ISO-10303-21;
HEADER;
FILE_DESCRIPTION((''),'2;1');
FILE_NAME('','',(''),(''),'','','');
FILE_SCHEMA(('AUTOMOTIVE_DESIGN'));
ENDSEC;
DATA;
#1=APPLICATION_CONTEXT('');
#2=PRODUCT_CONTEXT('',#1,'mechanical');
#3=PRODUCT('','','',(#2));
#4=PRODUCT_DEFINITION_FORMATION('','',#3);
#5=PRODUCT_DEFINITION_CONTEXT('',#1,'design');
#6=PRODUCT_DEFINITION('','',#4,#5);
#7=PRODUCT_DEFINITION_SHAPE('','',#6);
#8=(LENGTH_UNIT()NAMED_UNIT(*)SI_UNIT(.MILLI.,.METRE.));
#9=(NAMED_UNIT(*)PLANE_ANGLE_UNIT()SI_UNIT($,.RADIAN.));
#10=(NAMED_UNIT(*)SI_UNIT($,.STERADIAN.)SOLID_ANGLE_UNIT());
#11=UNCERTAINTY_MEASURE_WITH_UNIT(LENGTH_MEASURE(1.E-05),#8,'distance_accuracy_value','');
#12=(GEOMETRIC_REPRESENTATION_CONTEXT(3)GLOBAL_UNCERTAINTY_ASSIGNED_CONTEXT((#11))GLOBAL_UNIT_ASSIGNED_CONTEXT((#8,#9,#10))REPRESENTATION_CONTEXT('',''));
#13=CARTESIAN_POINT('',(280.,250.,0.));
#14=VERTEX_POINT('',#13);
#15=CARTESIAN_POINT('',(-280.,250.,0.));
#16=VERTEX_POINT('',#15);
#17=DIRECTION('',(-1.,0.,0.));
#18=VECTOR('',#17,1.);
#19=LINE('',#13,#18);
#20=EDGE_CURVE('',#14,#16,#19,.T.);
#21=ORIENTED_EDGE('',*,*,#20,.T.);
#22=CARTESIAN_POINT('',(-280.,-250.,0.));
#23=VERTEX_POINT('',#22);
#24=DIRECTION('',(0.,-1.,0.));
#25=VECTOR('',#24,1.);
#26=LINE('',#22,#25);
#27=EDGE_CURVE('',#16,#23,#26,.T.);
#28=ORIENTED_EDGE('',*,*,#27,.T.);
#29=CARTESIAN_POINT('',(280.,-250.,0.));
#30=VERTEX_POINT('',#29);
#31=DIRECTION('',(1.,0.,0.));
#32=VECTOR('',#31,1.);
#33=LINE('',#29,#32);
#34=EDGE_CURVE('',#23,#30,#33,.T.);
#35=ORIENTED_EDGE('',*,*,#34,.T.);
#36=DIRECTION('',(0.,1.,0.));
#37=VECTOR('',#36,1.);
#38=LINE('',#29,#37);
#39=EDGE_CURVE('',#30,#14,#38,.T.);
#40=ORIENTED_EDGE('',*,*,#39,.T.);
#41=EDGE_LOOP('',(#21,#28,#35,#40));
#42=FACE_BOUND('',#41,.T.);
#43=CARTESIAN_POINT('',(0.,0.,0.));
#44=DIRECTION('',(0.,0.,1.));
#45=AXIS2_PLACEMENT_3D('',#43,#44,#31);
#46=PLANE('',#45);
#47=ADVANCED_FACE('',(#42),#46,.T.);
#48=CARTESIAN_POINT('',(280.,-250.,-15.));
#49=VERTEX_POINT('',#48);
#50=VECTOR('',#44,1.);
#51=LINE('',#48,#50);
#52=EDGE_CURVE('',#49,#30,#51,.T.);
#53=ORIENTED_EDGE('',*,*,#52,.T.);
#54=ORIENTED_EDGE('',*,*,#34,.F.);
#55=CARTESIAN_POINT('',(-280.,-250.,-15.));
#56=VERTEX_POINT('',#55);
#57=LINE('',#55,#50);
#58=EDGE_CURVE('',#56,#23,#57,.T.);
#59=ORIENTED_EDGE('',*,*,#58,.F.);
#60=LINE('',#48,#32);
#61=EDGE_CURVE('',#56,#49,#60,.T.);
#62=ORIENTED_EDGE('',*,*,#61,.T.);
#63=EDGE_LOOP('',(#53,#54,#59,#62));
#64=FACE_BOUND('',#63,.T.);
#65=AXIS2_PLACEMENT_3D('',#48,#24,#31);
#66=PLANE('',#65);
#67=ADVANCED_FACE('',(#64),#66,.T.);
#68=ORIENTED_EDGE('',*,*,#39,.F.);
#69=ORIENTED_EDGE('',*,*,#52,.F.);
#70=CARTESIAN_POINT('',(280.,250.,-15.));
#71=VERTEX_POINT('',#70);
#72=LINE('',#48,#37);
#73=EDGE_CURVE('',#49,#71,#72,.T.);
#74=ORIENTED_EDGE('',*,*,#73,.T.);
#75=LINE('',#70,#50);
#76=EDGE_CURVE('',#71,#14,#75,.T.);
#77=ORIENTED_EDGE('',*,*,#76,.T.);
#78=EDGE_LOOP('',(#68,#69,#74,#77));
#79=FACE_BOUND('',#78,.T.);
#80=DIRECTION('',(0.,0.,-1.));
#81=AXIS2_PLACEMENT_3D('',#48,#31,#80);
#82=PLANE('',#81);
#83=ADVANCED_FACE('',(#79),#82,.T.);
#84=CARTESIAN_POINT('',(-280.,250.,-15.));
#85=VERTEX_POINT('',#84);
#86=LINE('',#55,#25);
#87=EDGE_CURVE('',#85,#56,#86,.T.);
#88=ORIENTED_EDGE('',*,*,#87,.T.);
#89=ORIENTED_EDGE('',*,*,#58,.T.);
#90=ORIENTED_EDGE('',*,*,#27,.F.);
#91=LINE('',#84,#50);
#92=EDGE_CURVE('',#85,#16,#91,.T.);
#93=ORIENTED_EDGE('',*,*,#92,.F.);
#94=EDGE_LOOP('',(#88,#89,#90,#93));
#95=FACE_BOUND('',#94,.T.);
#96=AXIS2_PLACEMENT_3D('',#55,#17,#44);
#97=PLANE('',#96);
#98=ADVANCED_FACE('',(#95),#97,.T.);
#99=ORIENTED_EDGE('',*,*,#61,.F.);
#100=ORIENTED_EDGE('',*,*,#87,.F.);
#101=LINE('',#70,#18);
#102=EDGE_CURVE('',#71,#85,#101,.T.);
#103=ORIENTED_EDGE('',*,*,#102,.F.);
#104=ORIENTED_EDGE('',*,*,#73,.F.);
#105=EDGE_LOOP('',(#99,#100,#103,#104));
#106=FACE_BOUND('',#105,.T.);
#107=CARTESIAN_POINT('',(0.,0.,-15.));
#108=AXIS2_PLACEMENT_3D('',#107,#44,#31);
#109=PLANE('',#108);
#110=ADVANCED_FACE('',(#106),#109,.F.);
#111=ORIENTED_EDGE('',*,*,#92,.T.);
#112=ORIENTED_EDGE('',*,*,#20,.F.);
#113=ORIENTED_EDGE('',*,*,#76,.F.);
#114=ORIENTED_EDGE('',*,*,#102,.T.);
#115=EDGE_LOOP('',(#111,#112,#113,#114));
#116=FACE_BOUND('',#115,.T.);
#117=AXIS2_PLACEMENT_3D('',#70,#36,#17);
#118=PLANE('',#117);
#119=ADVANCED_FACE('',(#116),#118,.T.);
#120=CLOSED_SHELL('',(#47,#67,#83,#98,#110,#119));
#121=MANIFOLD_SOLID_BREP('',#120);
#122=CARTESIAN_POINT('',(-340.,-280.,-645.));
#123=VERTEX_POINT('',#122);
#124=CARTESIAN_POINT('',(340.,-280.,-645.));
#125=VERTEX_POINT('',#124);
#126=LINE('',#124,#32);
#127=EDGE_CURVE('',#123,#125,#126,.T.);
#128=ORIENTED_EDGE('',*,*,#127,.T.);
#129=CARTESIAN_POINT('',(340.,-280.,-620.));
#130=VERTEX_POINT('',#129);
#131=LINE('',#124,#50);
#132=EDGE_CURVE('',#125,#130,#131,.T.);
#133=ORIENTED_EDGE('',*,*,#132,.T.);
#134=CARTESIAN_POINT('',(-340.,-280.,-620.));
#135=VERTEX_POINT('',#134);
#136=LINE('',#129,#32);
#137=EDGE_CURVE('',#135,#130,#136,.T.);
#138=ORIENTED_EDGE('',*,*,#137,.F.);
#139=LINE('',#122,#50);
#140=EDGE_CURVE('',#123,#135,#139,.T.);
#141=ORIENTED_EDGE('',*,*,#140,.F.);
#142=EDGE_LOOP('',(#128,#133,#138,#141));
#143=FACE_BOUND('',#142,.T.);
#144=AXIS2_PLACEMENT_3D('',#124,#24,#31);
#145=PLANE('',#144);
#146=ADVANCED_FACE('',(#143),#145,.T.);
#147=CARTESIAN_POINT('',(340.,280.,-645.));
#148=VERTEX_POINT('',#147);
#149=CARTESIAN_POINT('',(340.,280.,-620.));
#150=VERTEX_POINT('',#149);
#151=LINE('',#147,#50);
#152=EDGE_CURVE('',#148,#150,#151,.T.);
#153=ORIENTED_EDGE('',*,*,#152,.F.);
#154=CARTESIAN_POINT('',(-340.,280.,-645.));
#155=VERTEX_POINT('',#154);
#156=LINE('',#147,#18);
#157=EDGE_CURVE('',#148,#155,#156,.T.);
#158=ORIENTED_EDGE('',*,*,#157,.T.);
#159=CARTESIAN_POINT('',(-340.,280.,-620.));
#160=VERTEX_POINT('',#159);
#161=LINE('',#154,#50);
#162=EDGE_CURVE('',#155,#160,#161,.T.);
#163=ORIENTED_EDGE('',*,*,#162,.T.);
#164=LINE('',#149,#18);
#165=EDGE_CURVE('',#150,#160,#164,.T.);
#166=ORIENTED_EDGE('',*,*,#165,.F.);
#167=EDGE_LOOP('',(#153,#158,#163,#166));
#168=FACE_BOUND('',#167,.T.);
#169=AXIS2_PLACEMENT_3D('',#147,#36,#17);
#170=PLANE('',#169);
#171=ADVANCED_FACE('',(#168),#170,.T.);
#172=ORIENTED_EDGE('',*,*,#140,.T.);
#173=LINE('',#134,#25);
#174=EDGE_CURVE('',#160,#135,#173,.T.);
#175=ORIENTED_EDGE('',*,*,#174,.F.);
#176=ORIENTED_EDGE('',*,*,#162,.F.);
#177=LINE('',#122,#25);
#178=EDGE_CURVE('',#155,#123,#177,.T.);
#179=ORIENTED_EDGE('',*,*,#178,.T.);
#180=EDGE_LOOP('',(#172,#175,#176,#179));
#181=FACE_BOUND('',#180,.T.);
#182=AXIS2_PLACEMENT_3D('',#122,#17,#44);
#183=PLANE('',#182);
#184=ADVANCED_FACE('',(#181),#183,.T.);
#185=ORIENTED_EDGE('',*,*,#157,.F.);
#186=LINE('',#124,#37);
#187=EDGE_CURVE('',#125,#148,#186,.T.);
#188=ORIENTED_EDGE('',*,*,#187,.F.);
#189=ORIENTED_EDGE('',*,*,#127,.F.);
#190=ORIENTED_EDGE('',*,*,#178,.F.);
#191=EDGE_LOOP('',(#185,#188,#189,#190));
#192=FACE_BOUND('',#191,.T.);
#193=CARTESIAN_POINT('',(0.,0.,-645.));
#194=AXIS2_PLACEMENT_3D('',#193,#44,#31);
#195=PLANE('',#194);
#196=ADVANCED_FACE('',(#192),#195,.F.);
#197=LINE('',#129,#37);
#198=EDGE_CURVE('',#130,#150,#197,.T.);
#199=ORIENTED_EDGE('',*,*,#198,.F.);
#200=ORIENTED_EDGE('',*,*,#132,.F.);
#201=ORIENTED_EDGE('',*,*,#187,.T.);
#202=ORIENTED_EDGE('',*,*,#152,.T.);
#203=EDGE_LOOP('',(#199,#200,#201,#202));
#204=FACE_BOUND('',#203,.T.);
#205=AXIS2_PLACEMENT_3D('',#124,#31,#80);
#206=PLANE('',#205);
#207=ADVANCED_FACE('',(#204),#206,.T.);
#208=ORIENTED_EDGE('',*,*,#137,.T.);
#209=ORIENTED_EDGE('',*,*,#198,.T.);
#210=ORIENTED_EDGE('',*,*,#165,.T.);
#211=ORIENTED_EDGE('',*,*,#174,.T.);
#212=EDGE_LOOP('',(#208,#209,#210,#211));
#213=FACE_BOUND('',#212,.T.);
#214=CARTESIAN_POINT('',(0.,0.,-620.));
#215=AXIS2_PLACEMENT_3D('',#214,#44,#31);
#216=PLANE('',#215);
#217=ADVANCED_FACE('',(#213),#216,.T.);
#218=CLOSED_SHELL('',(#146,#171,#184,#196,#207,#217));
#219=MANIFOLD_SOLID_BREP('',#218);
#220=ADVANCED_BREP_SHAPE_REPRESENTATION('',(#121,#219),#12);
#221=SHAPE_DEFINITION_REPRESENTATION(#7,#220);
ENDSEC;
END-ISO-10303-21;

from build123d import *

# Parameters (mm, degrees)
SKETCH_6_W             = 560
SKETCH_6_H             = 500
EXTRUDE_312_DEPTH      = 15
SKETCH_7_W             = 680
SKETCH_7_H             = 560
EXTRUDE_428_DEPTH      = 5
EXTRUDE_428_DEPTH_BACK = 20


with BuildPart() as part:
    # Эскиз6 → Extrude 312 (new body)
    with BuildSketch(Plane.XY):
        Rectangle(SKETCH_6_W, SKETCH_6_H)
    extrude(amount=-EXTRUDE_312_DEPTH)


with BuildPart() as body_2:
    # Эскиз7 → Extrude 428 (new body, two sides)
    with BuildSketch(Plane.XY.offset(-625)) as extrude_428_sk:
        Rectangle(SKETCH_7_W, SKETCH_7_H)
    extrude(amount=EXTRUDE_428_DEPTH)
    extrude(extrude_428_sk.sketch, amount=-EXTRUDE_428_DEPTH_BACK)


solid = Compound([part.part, body_2.part])
